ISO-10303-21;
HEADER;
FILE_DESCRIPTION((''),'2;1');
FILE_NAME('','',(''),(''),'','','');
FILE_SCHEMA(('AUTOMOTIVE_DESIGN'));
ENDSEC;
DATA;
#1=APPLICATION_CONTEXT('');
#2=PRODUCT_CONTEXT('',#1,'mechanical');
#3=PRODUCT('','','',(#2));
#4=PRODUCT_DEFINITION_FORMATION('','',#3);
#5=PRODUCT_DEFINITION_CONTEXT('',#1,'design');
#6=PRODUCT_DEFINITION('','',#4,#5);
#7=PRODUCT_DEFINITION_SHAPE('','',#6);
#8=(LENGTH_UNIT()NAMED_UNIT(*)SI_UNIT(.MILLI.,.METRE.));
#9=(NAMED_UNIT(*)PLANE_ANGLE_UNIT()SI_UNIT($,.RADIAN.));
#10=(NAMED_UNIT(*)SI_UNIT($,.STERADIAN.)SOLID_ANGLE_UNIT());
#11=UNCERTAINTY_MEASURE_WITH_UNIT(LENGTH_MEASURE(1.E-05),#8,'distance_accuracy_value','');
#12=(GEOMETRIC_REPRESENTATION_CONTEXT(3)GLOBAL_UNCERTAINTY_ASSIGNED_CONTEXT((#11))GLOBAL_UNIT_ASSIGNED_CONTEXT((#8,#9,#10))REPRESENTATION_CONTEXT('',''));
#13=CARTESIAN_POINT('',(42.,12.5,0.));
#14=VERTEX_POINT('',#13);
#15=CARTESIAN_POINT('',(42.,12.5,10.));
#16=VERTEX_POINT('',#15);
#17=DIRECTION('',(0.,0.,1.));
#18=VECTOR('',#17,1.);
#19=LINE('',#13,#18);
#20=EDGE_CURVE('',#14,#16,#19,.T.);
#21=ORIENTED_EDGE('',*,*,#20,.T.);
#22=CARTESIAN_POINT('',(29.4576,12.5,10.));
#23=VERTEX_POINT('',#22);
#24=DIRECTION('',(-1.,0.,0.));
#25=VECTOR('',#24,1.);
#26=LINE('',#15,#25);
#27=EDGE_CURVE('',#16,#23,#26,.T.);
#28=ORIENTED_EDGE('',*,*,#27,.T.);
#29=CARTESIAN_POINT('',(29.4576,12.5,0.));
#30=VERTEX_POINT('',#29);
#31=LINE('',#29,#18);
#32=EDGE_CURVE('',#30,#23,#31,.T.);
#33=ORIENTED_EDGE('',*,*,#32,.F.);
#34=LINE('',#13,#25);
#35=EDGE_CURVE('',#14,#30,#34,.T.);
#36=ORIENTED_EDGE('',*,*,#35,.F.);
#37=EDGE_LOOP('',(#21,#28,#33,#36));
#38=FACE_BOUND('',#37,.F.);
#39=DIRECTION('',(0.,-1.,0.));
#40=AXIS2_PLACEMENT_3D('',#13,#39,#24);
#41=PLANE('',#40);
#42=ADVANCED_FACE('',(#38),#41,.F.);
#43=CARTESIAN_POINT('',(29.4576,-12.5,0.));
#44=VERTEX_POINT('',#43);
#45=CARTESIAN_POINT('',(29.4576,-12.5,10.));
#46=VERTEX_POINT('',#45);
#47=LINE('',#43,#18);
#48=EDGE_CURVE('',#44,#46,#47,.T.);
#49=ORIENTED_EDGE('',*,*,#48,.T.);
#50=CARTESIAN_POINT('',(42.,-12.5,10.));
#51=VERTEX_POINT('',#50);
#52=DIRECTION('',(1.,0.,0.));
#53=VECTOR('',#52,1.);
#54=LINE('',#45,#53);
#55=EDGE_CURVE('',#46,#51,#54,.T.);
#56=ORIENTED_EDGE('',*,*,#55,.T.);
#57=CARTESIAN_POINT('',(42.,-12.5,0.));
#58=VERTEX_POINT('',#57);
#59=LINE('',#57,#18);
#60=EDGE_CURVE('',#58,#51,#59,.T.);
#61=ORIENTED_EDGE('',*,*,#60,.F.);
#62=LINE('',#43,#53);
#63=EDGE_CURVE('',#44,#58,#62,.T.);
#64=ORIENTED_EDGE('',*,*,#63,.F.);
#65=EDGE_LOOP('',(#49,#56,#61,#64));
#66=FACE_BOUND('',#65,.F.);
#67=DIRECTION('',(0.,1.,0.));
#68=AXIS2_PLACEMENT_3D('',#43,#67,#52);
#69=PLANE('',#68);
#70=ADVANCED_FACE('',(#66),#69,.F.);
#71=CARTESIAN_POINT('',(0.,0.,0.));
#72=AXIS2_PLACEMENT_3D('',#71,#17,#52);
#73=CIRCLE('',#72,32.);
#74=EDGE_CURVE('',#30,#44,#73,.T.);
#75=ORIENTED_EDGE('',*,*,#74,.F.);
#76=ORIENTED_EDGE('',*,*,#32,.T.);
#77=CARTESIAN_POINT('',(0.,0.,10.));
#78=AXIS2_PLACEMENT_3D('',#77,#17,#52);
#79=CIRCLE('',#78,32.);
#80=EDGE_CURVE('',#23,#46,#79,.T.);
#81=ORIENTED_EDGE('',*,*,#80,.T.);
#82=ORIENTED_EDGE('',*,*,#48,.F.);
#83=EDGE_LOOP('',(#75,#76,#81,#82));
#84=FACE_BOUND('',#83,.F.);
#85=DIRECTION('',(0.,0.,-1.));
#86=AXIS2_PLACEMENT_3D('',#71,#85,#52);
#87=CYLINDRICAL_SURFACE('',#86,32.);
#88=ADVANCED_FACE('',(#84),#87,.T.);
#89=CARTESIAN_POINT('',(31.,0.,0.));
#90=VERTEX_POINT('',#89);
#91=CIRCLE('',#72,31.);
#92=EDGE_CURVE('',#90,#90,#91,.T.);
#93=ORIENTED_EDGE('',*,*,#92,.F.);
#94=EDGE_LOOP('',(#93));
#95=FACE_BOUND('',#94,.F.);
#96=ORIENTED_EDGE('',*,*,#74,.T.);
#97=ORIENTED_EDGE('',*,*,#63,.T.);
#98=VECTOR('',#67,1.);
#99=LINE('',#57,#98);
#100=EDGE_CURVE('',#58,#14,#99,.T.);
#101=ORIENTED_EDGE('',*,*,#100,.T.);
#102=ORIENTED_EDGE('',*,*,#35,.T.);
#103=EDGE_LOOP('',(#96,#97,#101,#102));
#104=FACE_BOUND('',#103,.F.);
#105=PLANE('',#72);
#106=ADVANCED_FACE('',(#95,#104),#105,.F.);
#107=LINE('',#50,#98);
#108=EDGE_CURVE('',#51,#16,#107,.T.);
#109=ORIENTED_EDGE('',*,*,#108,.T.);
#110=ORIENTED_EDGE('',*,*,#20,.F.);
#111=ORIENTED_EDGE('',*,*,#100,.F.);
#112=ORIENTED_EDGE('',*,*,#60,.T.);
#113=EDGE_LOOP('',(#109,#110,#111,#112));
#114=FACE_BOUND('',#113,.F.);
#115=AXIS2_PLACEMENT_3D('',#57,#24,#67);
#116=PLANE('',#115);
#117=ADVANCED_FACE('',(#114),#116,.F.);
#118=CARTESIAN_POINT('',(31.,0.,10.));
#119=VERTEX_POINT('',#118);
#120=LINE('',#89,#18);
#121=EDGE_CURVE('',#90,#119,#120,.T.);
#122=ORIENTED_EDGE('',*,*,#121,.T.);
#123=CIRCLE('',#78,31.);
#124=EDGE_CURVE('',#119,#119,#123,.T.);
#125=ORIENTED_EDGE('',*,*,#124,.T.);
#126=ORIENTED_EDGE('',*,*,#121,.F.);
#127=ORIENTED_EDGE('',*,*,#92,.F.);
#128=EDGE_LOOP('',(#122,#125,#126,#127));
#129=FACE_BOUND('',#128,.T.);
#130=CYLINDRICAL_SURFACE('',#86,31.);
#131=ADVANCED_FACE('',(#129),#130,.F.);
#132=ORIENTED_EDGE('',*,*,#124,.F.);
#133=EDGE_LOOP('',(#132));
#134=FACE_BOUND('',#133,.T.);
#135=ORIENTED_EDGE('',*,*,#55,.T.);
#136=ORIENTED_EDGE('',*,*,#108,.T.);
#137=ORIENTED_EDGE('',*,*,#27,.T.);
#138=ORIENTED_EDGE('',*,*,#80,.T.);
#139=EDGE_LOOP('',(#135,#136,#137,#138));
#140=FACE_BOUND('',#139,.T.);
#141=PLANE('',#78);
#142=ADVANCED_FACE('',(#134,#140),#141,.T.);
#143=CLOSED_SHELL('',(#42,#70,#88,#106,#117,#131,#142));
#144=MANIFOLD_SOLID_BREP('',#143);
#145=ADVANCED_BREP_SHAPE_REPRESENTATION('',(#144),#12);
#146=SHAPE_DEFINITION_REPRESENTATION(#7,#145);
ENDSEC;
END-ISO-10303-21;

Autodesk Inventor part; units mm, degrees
ref_plane "YZ Plane" through (0, 0, 0) normal (1, 0, 0) x (0, 1, 0)
ref_plane "XZ Plane" through (0, 0, 0) normal (0, 1, 0) x (-1, 0, 0)
ref_plane "XY Plane" through (0, 0, 0) normal (0, 0, 1) x (1, 0, 0)
sketch "Sketch1" plane through (0, 0, 0) normal (0, 0, 1) x (1, 0, 0)
  circle A0 centre (0, 0) radius 31
  circle A1 centre (0, 0) radius 32
  line L0 (29.4576, -12.5) -> (42, -12.5)
  line L1 (42, -12.5) -> (42, 12.5)
  line L2 (42, 12.5) -> (29.4576, 12.5)
  dimension "d0" = 62
  dimension "d1" = 1
  dimension "d2" = 25
  dimension "d3" = 10
  dimension "d4" = 12.5
extrude "Extrusion1" add sketch "Sketch1" along normal blind 10
equation "\"d4\" = 0.5 * d2"
properties part number "COTS_GENERIC_60mm_Hose_Clamp"
